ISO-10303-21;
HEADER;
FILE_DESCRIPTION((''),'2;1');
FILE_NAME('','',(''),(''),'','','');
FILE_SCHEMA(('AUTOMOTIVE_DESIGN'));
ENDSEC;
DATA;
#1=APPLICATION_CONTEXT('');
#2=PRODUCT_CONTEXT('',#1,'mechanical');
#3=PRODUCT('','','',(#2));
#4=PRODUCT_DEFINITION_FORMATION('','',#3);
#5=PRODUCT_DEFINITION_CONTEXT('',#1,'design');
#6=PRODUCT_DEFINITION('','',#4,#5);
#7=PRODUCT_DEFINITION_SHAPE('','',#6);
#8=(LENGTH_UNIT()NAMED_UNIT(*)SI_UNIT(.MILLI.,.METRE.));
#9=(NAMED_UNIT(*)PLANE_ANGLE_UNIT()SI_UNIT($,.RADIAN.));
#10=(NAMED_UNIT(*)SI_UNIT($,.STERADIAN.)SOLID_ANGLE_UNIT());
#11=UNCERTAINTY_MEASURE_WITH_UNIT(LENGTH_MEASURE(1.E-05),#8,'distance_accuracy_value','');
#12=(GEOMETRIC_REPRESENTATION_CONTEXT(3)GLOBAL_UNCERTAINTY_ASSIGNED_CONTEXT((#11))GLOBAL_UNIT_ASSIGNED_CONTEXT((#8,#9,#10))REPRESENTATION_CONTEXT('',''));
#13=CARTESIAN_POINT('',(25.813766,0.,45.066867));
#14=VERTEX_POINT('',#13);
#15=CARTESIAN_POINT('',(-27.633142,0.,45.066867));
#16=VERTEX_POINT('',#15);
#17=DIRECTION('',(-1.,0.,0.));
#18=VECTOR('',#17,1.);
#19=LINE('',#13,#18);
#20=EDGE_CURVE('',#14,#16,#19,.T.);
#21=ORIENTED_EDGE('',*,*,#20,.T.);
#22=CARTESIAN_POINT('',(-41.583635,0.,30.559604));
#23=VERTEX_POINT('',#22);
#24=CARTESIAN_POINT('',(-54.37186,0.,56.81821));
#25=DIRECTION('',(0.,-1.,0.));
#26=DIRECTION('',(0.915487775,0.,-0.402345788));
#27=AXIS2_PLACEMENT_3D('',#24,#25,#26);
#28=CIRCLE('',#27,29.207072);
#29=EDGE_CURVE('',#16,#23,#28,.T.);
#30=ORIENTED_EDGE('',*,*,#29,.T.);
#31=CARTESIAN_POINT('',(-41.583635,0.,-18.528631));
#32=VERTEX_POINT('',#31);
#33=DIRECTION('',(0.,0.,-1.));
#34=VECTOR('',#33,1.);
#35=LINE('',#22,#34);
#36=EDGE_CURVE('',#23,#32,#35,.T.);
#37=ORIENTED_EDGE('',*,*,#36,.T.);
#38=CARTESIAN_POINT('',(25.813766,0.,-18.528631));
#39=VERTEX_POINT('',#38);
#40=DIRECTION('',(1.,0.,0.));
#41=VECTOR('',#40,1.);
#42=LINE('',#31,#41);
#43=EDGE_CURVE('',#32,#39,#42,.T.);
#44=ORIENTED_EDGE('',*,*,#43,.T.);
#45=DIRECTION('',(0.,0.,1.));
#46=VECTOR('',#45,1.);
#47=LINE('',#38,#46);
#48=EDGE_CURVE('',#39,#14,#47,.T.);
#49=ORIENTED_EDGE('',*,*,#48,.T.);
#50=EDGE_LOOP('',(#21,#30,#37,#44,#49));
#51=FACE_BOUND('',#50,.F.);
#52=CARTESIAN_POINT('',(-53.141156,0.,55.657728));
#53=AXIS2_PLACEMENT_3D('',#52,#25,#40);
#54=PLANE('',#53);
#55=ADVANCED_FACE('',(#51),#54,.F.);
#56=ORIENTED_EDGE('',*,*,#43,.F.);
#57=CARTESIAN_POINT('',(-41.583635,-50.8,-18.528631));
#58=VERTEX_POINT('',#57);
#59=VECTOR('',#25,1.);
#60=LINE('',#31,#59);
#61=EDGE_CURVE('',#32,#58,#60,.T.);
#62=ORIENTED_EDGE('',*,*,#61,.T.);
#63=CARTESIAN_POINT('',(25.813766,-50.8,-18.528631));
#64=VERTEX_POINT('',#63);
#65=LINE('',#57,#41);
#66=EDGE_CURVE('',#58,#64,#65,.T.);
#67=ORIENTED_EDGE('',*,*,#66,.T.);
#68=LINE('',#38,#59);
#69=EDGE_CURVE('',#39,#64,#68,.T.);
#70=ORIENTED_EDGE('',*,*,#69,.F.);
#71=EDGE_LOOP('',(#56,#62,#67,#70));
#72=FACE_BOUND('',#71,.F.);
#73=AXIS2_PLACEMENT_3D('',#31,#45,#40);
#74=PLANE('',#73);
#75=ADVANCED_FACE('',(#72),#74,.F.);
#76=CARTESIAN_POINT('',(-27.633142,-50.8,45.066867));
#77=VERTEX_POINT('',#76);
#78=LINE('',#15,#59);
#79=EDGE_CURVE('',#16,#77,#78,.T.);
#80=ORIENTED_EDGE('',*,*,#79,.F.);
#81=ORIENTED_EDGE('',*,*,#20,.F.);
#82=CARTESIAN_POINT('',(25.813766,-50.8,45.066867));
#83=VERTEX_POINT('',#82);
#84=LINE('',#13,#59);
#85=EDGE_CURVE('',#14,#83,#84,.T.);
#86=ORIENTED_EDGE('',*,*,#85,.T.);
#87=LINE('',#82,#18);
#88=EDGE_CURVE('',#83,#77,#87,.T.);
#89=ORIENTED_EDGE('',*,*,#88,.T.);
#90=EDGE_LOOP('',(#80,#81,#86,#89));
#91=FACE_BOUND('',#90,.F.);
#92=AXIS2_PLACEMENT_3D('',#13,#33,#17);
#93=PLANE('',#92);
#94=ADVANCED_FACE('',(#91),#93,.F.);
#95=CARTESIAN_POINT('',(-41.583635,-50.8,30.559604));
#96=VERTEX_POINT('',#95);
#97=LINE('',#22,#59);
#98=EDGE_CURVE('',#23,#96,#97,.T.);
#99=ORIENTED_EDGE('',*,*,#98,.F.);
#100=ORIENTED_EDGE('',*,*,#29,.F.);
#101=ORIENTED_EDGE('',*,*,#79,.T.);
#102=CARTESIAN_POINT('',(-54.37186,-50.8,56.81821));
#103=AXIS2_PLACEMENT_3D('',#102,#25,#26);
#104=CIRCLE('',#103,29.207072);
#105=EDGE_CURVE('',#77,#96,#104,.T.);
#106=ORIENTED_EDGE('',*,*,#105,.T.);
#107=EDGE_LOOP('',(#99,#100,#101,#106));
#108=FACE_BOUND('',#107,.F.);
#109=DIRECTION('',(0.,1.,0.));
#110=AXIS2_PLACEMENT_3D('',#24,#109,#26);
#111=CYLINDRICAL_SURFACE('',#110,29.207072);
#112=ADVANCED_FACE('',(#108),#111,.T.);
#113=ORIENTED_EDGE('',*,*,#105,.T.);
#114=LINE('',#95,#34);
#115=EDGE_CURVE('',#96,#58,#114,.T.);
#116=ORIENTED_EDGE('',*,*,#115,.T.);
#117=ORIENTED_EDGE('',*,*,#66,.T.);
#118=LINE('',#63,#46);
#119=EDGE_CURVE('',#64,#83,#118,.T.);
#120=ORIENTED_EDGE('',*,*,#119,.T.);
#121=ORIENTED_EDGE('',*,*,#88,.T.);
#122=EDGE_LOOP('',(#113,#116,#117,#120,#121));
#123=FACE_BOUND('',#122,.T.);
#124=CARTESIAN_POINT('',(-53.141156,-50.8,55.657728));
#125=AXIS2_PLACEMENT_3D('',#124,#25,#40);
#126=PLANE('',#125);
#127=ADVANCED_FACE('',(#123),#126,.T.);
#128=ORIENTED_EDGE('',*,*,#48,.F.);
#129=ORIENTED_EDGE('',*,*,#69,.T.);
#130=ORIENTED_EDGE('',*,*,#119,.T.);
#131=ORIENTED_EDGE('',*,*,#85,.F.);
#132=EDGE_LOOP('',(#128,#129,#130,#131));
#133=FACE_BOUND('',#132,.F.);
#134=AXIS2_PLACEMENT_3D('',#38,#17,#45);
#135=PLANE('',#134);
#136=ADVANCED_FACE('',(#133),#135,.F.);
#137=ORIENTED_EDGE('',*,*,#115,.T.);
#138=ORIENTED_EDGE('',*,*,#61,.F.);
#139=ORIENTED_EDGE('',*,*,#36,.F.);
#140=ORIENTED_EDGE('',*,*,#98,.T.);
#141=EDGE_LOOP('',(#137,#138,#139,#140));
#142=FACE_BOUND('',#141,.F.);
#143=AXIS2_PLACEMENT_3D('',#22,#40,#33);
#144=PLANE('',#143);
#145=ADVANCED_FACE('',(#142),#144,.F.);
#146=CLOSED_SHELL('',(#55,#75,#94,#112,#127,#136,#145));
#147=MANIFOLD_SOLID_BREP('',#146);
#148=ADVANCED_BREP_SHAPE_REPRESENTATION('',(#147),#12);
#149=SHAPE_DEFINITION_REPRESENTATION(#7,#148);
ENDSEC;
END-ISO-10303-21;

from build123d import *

# Parameters (mm, degrees)
F1_DEPTH = 50.8


with BuildPart() as f1:
    # F0 (on Front) → F1 (new body)
    with BuildSketch(Plane.XZ):
        with BuildLine():
            Line((-41.583634913, 30.5596037471), (-41.583634913, 45.0668670237))
            Line((-41.583634913, 45.0668670237), (-27.6331421375, 45.0668670237))
            ThreePointArc((-27.6331421375, 45.0668670237), (-25.7885365622, 50.8143186246), (-25.1647874728, 56.8182095885))
            ThreePointArc((-25.1647874728, 56.8182095885), (-79.1363474664, 72.3028223702), (-41.583634913, 30.5596037471))
        make_face()
        with BuildLine():
            Line((-27.6331421375, 45.0668670237), (-41.583634913, 45.0668670237))
            Line((-41.583634913, 45.0668670237), (-41.583634913, 30.5596037471))
            ThreePointArc((-41.583634913, 30.5596037471), (-33.3193072571, 36.5736274335), (-27.6331421375, 45.0668670237))
        make_face()
        with BuildLine():
            Line((25.8137658238, 45.0668670237), (-27.6331421375, 45.0668670237))
            ThreePointArc((-27.6331421375, 45.0668670237), (-33.3193072571, 36.5736274335), (-41.583634913, 30.5596037471))
            Line((-41.583634913, 30.5596037471), (-41.583634913, -18.528630957))
            Line((-41.583634913, -18.528630957), (25.8137658238, -18.528630957))
            Line((25.8137658238, -18.528630957), (25.8137658238, 45.0668670237))
        make_face()
    extrude(amount=F1_DEPTH)


solid = f1.part
